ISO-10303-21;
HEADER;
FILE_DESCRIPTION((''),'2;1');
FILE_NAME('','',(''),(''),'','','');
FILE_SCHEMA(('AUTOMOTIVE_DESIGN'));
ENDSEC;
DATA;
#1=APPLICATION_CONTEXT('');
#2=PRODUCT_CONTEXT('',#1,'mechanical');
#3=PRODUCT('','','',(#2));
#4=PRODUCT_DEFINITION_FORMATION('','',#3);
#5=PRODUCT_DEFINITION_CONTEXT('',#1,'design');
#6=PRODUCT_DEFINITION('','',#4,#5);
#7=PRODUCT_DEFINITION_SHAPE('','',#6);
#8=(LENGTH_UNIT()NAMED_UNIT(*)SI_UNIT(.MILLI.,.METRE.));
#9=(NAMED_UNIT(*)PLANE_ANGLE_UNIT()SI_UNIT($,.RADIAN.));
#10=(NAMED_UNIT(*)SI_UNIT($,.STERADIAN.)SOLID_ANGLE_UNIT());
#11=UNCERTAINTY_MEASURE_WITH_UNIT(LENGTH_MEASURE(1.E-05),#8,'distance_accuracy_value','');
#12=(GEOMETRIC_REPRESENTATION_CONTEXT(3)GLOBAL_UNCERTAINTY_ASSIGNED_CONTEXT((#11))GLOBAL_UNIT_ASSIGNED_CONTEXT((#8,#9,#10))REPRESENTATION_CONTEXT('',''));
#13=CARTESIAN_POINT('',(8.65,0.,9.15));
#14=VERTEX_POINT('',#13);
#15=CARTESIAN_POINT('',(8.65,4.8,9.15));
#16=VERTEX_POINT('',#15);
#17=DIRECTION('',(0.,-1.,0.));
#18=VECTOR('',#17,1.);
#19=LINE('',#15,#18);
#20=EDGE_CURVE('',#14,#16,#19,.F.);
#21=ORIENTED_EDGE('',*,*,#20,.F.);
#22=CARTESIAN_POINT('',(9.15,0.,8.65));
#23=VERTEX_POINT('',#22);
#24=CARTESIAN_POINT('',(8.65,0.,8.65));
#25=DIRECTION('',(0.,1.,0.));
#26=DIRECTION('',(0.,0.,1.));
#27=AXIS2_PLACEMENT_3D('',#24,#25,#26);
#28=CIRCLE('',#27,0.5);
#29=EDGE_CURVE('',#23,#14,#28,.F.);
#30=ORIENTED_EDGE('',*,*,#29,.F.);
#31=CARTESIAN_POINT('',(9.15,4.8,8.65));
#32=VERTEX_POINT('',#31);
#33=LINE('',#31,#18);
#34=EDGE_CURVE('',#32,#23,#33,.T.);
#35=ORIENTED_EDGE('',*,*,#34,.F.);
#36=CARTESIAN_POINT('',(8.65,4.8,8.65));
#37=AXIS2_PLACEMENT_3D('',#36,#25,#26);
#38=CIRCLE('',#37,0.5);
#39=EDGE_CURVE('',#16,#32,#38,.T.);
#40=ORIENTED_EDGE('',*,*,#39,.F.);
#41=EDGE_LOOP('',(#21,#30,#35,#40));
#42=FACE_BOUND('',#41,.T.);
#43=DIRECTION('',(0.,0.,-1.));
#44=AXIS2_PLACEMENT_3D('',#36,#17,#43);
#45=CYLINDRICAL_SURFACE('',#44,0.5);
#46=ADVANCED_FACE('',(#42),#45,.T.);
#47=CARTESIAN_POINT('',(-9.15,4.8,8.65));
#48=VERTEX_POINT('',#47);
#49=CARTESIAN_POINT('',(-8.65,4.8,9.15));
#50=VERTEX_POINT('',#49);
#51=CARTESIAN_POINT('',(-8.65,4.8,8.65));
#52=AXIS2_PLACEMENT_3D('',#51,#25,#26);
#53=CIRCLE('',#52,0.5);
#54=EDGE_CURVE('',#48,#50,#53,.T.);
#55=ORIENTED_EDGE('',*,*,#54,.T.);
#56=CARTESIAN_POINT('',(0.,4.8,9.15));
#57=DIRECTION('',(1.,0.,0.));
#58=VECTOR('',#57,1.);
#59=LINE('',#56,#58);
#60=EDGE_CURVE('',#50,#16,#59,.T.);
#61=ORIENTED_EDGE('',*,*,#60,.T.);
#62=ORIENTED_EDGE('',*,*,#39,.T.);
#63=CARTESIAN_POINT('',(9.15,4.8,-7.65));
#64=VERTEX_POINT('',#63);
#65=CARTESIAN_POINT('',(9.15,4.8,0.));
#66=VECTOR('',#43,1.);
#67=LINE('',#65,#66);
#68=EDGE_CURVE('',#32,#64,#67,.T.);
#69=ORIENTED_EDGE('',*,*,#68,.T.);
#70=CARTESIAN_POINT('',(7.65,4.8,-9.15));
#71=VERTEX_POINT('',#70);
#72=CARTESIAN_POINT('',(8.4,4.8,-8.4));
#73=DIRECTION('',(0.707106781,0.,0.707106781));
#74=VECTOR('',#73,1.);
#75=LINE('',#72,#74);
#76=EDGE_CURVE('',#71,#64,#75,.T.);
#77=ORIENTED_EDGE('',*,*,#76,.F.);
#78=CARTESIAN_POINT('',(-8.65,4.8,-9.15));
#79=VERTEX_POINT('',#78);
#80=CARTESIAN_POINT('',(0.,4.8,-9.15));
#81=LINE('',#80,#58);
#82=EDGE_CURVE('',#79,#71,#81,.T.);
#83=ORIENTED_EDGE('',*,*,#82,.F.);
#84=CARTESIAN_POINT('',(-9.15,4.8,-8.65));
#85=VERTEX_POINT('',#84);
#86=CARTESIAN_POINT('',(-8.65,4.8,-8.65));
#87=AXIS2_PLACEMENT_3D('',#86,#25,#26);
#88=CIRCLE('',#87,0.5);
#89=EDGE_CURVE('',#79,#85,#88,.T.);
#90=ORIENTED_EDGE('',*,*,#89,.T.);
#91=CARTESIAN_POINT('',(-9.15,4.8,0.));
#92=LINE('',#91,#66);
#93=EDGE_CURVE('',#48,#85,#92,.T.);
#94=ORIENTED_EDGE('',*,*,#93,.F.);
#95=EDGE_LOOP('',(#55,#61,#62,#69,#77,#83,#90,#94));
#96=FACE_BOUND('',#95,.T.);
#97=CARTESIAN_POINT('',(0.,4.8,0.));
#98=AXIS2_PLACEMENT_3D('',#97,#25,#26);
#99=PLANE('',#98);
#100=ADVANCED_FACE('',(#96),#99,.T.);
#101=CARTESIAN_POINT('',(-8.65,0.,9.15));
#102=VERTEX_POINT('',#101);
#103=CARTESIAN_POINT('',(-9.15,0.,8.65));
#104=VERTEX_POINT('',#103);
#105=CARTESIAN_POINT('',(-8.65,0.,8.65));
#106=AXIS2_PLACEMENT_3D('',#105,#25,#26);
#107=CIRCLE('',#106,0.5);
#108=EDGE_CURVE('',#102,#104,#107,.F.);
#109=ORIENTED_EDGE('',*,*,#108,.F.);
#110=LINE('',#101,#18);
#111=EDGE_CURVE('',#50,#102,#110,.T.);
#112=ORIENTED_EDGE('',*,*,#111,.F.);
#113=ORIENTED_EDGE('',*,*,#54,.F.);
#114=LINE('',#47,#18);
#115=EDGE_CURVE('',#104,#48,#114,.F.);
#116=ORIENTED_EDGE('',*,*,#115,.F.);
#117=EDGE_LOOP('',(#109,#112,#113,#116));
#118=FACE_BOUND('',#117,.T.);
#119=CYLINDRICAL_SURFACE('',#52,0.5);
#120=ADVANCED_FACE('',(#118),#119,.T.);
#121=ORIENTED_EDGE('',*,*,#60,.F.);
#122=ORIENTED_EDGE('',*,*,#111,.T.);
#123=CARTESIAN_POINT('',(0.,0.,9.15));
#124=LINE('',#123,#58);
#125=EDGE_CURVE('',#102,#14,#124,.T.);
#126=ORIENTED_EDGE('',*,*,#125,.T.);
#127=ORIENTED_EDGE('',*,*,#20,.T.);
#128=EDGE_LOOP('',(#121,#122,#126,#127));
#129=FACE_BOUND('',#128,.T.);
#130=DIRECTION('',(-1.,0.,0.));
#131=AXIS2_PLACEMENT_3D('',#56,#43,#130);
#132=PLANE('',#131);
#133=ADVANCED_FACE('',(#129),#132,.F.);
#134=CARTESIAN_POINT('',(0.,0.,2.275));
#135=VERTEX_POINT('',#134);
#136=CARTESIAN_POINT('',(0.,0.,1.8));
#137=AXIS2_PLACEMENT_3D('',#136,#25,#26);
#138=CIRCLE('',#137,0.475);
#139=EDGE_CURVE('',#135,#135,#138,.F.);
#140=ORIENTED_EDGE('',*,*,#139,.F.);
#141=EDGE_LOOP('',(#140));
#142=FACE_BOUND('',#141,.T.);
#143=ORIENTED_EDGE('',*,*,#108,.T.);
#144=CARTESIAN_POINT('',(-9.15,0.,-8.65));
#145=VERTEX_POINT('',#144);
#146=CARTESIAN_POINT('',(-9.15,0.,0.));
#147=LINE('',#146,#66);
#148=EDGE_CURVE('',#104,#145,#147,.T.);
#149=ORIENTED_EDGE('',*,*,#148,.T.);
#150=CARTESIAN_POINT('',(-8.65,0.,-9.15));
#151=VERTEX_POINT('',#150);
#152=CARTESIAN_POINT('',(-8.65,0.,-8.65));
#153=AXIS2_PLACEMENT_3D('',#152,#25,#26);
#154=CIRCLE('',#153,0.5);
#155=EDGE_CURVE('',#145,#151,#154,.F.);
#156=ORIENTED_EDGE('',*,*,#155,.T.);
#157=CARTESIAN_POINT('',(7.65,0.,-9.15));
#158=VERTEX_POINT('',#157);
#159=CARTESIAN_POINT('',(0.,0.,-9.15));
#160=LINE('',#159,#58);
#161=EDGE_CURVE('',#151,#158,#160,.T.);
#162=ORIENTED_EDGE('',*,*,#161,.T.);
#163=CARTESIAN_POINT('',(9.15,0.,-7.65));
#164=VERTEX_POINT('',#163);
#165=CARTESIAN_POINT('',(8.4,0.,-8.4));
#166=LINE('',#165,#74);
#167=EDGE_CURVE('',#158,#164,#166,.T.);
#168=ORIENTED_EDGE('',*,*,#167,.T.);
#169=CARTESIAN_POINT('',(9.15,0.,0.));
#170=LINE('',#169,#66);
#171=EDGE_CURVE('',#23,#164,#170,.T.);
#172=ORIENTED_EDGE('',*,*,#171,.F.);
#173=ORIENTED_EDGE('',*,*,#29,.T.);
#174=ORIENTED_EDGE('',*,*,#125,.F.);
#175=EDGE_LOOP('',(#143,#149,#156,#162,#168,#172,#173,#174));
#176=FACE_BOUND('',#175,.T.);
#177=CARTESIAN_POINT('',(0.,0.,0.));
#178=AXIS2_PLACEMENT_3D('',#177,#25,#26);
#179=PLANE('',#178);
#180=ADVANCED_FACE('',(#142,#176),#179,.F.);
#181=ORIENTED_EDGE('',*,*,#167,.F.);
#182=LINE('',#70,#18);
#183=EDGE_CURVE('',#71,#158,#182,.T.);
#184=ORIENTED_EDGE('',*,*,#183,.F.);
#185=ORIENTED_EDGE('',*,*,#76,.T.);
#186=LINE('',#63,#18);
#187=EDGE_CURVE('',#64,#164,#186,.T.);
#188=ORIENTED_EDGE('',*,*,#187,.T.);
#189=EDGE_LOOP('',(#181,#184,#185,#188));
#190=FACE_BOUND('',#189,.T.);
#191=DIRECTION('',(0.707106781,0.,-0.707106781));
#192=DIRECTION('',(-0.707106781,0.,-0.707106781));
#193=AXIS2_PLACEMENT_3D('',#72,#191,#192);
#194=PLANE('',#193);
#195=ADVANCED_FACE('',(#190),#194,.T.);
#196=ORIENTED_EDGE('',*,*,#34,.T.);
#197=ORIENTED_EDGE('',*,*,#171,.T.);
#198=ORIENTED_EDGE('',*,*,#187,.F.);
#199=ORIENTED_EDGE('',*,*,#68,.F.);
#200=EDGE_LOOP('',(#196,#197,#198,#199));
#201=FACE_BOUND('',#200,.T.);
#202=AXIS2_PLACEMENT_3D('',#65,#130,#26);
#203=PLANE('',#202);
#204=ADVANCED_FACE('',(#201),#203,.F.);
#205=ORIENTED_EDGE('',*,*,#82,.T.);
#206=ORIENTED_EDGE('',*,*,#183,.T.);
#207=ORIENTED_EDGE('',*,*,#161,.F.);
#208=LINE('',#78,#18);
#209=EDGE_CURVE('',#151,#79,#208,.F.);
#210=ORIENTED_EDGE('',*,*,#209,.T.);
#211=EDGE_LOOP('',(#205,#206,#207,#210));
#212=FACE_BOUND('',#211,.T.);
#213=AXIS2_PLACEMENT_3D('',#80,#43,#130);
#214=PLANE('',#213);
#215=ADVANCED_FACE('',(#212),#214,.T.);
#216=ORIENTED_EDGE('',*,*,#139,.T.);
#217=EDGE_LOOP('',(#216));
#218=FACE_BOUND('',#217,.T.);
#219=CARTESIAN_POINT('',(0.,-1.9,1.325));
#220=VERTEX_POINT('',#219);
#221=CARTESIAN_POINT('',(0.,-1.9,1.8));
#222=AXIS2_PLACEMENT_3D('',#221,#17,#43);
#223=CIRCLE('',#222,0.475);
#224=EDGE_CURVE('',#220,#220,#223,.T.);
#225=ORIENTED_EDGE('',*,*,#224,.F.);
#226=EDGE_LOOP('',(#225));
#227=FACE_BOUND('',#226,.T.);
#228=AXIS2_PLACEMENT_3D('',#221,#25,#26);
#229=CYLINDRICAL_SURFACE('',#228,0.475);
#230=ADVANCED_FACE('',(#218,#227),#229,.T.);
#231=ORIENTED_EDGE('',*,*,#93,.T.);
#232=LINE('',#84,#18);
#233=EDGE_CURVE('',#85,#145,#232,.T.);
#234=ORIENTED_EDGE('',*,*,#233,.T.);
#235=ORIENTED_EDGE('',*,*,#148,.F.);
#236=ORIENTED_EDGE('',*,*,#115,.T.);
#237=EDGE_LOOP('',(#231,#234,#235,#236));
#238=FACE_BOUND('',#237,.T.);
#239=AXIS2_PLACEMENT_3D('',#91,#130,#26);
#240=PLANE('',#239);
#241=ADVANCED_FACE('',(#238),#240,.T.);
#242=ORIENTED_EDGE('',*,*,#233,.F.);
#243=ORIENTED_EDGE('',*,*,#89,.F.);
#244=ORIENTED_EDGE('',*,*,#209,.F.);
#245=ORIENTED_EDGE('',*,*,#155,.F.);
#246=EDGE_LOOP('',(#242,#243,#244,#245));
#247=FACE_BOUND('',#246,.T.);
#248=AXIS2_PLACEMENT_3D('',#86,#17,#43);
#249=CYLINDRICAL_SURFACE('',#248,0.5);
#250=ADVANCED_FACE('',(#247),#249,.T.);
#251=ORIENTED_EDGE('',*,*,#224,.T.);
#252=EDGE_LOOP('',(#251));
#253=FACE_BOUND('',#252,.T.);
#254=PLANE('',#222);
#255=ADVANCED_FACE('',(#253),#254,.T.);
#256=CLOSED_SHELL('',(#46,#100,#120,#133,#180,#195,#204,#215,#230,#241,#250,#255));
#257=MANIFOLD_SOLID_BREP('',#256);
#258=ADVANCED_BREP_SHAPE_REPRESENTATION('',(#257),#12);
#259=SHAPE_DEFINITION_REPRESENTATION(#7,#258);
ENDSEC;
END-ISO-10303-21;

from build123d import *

# Parameters (mm, degrees)
BOSS_EXTRUDE1_DEPTH = 4.8
FILLET1_R           = 0.5
SKETCH2_R           = 0.475
BOSS_EXTRUDE2_DEPTH = 1.9


with BuildPart() as part:
    # Sketch1 → Boss-Extrude1 (new body)
    with BuildSketch(Plane(origin=(0, 0, 0), x_dir=(1, 0, 0), z_dir=(0, 1, 0))):
        Polygon((9.15, 7.65), (7.65, 9.15), (-9.15, 9.15), (-9.15, -9.15), (9.15, -9.15), align=None)
    extrude(amount=BOSS_EXTRUDE1_DEPTH)

    # Fillet1
    fillet1_edges = [part.edges().sort_by_distance(p)[0] for p in [
        (-9.15, 2.4, 9.15),
        (-9.15, 2.4, -9.15),
        (9.15, 2.4, 9.15),
    ]]
    fillet(fillet1_edges, radius=FILLET1_R)

    # Sketch2 → Boss-Extrude2 (add)
    with BuildSketch(Plane.XZ):
        with Locations(Location((0, 1.8, 0), (0, 0, 90))):  # turned: the seam where the file's is
            Circle(SKETCH2_R)
    extrude(amount=BOSS_EXTRUDE2_DEPTH)


solid = part.part
